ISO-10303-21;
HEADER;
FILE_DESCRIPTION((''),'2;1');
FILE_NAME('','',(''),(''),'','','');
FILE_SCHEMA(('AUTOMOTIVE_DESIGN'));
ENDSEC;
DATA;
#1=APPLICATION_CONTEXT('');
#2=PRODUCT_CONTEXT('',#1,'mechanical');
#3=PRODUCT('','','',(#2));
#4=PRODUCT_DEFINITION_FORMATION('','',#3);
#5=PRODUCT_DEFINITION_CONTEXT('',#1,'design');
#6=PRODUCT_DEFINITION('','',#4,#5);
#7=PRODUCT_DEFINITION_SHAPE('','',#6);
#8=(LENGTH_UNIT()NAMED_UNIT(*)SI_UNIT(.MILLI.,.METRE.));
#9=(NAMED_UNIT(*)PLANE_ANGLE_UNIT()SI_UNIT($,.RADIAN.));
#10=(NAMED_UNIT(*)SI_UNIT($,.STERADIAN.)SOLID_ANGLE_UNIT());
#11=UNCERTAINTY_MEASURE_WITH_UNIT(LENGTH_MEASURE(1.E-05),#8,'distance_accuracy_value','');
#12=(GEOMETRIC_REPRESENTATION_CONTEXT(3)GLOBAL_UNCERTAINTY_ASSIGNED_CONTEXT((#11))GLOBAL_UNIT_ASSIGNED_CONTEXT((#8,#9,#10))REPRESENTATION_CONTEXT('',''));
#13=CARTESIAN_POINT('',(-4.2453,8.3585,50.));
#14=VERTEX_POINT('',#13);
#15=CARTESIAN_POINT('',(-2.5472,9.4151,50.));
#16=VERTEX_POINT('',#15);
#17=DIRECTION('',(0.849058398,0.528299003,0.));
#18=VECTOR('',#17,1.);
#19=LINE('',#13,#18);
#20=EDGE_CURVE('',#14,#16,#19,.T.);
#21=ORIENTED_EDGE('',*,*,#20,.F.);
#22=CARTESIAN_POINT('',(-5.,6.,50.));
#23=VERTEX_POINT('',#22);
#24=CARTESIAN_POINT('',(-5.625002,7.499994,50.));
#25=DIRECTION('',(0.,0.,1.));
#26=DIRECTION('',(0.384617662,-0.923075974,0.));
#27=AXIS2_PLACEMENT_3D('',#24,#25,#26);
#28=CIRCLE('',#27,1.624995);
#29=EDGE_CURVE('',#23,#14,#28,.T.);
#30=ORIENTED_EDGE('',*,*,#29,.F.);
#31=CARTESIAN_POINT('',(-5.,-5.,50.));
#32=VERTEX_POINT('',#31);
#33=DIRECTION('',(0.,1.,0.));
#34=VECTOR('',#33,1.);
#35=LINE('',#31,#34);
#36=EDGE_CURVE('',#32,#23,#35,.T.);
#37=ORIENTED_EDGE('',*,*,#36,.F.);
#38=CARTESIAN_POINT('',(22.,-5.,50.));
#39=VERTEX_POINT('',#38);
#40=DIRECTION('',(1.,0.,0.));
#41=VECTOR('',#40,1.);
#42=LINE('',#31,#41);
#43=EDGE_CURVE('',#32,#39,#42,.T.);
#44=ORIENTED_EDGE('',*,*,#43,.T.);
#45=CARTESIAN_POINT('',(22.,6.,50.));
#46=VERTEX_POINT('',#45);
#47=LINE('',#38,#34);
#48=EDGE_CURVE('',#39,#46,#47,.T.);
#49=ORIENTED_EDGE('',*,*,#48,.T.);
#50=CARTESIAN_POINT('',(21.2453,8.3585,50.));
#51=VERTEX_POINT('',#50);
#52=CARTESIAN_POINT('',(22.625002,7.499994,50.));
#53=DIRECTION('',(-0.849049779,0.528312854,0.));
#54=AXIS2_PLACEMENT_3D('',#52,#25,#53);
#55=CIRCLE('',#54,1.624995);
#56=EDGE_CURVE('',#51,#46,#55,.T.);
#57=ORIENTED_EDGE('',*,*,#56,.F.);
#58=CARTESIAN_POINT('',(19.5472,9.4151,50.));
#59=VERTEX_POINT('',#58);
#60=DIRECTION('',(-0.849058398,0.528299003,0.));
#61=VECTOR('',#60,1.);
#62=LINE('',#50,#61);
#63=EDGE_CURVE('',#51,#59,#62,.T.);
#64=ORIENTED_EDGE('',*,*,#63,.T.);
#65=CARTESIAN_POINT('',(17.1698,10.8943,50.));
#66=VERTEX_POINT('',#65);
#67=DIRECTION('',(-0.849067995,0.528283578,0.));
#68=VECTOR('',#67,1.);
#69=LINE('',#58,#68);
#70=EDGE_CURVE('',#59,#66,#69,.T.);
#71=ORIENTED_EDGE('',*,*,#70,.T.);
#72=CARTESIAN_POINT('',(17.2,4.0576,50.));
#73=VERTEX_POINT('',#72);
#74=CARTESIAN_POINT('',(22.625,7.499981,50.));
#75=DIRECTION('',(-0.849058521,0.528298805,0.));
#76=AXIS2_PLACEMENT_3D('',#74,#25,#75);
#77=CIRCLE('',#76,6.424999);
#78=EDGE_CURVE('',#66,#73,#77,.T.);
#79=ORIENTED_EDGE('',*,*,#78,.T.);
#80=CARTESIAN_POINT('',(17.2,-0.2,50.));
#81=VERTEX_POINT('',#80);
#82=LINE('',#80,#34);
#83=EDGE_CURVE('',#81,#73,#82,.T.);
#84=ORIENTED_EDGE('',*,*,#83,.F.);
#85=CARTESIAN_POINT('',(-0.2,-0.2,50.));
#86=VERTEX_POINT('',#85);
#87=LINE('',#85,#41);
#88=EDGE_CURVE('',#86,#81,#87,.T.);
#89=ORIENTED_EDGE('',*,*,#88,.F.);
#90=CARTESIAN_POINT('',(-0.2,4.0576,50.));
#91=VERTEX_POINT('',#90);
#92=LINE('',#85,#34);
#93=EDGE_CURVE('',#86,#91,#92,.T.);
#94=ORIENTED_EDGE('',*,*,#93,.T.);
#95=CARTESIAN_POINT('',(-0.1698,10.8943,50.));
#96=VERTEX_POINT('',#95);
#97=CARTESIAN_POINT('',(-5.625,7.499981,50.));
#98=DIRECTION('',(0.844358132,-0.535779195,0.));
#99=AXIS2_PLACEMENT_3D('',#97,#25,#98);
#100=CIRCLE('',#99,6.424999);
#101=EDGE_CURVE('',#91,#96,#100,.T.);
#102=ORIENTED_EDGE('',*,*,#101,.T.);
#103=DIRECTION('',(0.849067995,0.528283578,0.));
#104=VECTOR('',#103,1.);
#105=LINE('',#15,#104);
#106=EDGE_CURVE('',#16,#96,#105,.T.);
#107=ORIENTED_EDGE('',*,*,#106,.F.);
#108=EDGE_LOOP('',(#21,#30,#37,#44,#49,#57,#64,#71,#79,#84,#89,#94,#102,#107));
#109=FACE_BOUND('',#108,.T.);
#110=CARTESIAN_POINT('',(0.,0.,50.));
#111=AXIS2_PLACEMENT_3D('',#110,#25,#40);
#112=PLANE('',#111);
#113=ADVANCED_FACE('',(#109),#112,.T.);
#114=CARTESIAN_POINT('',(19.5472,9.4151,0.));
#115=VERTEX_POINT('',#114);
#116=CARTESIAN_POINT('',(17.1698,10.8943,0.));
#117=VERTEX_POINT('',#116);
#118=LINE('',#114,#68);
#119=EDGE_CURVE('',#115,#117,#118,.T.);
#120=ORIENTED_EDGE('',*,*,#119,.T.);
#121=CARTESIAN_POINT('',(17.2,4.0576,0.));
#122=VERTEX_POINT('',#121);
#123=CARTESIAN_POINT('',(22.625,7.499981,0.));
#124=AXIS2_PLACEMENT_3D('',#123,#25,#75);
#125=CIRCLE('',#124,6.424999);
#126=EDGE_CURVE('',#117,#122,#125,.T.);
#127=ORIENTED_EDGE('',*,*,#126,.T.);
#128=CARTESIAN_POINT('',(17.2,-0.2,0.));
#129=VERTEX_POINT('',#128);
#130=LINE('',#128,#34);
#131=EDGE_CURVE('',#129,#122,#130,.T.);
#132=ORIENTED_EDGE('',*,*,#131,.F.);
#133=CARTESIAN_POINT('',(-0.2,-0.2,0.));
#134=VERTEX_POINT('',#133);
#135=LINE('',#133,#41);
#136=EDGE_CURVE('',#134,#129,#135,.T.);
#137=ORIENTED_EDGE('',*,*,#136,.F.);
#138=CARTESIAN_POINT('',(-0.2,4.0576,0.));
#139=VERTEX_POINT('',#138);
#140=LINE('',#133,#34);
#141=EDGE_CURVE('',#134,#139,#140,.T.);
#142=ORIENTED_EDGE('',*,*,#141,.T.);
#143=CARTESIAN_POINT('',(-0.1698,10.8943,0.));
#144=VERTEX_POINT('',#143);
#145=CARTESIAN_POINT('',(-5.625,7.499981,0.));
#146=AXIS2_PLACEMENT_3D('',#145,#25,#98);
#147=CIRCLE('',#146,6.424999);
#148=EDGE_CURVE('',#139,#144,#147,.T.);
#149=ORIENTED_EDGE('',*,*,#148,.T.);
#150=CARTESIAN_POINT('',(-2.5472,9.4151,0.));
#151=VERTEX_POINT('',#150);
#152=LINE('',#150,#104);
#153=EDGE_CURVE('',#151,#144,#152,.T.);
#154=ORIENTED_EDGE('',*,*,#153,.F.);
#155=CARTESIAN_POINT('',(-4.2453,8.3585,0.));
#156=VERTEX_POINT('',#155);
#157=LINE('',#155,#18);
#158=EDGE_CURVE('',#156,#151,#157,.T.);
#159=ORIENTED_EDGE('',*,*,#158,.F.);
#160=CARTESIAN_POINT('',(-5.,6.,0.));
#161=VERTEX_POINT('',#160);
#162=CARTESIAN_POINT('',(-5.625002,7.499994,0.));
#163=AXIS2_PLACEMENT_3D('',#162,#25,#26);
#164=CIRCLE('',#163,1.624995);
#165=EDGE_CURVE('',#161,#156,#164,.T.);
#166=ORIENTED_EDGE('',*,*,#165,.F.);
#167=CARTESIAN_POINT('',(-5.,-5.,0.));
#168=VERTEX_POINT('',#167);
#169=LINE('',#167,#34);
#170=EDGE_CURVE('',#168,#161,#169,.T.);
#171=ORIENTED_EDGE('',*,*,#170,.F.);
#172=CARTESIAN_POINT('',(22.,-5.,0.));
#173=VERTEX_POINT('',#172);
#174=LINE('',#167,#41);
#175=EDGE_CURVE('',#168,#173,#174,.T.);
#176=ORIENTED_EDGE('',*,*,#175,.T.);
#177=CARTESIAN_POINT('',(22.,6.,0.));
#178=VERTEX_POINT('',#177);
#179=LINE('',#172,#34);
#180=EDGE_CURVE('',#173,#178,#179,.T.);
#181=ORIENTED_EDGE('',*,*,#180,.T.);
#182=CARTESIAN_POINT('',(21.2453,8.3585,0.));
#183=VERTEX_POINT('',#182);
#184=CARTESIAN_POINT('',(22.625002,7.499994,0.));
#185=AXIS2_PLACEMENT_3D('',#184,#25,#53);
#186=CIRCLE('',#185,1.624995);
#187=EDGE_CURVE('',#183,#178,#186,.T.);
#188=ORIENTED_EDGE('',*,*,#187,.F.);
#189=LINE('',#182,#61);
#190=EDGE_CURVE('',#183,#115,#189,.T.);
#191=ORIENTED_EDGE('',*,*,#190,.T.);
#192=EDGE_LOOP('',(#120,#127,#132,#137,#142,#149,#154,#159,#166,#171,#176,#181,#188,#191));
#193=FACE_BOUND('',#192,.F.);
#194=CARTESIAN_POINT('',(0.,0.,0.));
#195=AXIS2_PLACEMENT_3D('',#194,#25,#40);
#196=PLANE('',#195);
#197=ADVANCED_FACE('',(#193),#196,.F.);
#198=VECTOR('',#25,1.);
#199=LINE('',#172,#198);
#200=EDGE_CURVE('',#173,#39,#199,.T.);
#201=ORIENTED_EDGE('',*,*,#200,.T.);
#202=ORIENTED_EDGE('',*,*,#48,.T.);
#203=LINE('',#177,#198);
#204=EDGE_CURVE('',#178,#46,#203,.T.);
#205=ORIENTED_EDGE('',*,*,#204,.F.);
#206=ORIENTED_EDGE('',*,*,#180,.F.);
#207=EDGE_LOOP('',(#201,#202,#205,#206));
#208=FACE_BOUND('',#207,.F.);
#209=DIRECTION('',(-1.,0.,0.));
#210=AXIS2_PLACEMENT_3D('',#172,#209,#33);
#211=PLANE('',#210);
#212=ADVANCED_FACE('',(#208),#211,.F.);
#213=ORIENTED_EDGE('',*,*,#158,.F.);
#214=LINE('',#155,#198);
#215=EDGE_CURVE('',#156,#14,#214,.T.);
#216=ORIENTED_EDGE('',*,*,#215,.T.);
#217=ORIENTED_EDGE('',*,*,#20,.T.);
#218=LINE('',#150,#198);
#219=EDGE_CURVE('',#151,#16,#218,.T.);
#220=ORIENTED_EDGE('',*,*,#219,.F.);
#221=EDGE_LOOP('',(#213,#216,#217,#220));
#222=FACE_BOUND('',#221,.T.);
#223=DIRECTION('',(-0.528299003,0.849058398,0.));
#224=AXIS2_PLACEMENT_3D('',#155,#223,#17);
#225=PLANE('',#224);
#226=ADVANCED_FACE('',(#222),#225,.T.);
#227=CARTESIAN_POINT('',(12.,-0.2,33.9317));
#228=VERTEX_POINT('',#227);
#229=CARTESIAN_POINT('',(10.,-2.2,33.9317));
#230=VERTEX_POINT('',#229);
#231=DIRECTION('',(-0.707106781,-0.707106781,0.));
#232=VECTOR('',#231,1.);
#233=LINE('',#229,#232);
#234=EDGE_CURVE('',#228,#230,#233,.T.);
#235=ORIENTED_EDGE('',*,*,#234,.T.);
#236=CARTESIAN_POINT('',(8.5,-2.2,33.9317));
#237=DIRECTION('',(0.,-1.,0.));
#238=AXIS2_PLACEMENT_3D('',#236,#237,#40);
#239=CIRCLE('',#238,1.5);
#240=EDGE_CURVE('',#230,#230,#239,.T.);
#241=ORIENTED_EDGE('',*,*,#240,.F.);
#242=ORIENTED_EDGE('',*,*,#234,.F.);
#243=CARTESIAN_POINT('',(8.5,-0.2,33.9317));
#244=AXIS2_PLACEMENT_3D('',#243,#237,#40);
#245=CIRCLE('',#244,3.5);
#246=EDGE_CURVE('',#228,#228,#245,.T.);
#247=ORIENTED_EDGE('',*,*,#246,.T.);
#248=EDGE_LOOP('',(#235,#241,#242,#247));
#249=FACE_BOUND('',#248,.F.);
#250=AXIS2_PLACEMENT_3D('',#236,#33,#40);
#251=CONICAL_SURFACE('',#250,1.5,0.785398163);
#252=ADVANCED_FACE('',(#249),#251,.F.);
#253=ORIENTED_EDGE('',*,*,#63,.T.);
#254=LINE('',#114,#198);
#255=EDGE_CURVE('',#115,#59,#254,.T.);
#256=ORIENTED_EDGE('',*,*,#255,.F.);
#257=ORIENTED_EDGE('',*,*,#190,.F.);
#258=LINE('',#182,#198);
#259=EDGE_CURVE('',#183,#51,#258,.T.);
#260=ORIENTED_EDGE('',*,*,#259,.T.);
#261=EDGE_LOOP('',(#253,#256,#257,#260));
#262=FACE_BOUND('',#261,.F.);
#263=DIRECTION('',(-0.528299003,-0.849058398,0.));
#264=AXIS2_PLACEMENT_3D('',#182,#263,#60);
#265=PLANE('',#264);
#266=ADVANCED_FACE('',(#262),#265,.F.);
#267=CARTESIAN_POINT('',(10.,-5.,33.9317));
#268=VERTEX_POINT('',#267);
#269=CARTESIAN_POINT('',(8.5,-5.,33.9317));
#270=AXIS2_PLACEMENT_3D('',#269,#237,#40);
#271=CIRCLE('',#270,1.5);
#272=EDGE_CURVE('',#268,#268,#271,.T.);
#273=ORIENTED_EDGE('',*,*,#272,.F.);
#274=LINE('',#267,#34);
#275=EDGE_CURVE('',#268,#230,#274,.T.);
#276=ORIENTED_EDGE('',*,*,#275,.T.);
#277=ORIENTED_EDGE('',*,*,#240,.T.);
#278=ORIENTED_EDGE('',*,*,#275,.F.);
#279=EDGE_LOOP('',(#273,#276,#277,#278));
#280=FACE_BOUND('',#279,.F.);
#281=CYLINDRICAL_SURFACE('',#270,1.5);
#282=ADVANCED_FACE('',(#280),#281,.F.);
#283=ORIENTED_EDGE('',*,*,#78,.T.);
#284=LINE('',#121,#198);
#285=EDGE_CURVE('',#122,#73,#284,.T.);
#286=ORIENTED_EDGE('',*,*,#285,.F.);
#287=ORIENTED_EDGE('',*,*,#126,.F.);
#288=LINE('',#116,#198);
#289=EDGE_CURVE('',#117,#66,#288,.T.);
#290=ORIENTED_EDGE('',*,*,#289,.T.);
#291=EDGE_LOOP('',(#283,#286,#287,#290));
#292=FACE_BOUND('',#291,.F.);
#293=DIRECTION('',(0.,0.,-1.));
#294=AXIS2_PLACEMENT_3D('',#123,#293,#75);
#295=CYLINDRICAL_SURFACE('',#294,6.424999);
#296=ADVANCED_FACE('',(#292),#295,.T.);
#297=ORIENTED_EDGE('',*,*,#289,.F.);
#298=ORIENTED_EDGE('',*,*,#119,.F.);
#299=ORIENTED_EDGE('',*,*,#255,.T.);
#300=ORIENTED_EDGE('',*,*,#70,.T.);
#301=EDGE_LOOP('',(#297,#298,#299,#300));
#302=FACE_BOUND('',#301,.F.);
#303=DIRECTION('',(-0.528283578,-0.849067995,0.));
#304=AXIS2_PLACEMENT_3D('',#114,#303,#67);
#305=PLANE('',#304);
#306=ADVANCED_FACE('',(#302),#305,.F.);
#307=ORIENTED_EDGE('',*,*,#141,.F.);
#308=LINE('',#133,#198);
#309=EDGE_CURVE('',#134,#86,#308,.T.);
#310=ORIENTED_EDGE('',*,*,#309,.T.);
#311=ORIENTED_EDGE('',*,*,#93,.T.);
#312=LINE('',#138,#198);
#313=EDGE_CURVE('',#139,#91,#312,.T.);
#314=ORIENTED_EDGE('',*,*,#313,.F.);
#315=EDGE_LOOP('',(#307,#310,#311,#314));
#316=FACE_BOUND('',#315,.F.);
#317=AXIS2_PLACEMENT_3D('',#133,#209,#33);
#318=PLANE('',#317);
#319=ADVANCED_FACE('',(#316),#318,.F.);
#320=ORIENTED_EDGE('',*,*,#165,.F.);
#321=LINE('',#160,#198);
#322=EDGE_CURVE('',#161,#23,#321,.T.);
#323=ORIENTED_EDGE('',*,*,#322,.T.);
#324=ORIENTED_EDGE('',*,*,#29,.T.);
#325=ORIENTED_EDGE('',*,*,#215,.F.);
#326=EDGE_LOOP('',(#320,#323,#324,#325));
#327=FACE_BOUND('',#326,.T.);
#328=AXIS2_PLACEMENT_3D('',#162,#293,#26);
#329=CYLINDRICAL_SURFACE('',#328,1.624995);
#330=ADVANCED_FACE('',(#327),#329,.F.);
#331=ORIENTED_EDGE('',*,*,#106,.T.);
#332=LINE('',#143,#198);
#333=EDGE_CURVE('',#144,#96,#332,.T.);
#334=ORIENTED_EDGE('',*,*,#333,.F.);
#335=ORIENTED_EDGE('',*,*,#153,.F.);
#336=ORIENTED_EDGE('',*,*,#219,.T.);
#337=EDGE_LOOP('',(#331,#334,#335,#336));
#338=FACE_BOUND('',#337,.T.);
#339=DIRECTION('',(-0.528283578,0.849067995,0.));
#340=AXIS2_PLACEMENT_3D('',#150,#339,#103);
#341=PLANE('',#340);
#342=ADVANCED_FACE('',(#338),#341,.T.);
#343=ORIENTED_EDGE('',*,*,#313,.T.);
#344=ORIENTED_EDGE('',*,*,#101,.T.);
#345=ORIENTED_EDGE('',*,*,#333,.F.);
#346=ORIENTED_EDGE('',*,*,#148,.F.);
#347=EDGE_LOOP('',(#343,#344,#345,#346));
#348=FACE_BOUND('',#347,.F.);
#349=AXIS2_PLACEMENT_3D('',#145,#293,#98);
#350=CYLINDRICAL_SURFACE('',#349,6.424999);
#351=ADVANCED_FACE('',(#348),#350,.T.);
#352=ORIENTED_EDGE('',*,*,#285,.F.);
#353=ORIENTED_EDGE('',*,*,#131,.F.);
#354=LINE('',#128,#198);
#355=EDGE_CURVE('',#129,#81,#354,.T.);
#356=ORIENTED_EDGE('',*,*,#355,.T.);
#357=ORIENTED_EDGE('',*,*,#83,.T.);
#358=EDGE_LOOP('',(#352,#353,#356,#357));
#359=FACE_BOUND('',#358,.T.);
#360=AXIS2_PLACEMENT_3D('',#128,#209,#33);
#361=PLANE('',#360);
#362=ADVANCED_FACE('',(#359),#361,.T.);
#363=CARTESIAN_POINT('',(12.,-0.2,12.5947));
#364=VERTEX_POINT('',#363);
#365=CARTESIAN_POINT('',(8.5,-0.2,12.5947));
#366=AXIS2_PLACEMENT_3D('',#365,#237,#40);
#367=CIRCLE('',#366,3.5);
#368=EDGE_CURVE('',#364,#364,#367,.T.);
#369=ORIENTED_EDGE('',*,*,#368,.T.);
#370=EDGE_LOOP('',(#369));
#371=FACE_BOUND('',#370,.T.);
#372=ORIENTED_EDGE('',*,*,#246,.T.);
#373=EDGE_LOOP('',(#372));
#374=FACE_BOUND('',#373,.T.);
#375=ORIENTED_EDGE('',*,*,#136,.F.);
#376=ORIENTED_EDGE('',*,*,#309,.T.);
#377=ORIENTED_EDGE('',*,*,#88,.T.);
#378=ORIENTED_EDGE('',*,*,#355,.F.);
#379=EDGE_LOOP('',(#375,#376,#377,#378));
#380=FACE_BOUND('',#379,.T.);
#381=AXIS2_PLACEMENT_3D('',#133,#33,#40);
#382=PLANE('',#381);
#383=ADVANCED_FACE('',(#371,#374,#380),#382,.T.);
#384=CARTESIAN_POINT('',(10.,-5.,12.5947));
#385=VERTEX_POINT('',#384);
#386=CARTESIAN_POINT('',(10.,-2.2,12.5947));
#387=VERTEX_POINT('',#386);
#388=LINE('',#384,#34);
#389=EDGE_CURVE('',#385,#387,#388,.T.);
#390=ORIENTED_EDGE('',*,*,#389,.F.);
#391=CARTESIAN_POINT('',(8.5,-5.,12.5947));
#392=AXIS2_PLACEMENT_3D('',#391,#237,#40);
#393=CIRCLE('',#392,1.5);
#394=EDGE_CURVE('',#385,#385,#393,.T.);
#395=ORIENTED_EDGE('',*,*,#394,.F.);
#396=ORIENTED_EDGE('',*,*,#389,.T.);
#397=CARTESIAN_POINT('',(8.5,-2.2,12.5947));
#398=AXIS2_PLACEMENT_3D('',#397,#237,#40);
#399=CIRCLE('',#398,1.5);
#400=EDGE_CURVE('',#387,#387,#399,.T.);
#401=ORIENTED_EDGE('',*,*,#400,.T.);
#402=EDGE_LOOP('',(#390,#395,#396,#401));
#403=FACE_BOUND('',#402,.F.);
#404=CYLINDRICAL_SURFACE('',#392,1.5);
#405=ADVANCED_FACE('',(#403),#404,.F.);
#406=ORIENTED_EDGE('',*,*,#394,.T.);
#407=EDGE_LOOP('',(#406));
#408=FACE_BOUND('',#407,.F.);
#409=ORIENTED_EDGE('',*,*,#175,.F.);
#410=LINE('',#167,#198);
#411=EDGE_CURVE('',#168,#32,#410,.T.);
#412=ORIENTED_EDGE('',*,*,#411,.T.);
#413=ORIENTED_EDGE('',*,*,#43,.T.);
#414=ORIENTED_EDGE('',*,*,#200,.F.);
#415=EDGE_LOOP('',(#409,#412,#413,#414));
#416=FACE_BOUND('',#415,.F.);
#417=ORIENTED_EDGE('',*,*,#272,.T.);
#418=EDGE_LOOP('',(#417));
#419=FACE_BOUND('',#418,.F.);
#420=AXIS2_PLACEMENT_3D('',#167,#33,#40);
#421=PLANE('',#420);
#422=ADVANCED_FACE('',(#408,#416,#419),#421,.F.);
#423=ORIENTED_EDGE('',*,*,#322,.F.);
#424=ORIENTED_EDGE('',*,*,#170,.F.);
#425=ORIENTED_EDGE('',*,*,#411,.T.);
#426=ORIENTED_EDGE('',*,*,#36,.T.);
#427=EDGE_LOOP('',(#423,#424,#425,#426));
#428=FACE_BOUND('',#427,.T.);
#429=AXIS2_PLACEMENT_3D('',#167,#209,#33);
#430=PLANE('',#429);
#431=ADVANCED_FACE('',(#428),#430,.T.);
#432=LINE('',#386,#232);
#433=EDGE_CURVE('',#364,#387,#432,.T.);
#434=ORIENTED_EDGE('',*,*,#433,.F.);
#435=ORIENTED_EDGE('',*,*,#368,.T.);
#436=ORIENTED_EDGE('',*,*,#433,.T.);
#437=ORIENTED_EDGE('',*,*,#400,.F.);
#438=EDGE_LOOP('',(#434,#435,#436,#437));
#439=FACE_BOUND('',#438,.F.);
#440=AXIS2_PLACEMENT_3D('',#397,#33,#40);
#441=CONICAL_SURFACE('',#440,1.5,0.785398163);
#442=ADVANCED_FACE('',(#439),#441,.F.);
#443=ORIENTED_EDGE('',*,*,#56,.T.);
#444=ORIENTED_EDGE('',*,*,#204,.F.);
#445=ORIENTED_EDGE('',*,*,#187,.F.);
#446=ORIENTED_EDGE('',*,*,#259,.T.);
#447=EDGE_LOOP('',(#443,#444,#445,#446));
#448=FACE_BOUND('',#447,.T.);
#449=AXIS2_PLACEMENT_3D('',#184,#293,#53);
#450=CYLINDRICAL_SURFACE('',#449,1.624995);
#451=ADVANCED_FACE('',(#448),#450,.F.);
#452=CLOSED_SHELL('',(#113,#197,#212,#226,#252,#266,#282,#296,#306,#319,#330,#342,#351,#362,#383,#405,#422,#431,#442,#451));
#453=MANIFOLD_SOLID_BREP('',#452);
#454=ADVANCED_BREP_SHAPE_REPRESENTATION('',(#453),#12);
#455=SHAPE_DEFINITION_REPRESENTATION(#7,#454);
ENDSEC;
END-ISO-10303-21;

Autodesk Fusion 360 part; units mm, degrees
sketch "Sketch1" plane through (0, 0, 0) normal (0, 0, 1) x (1, 0, 0)
  line L0 (0, 0) -> (17, 0)
  line L1 (0, 0) -> (0, 4)
  line L2 (17, 0) -> (17, 4)
  arc A0 (0, 4) -> (0, 11) centre (-5.625, 7.5) ccw
  arc A1 (17, 11) -> (17, 4) centre (22.625, 7.5) ccw
  line L3 (0, 11) -> (17, 11)
  arc A2 (17.1698, 10.8943) -> (17.2, 4.0576) centre (22.625, 7.5) ccw
  line L4 (17.2, -0.2) -> (17.2, 4.0576)
  line L5 (-0.2, -0.2) -> (17.2, -0.2)
  line L6 (-0.2, -0.2) -> (-0.2, 4.0576)
  arc A3 (-0.2, 4.0576) -> (-0.1698, 10.8943) centre (-5.625, 7.5) ccw
  arc A4 (19.5472, 9.4151) -> (20, 5) centre (22.625, 7.5) ccw
  line L7 (20, -3) -> (20, 5)
  line L8 (-3, -3) -> (20, -3)
  line L9 (-3, -3) -> (-3, 5)
  arc A5 (-3, 5) -> (-2.5472, 9.4151) centre (-5.625, 7.5) ccw
  line L10 (-2.5472, 9.4151) -> (-0.1698, 10.8943)
  line L11 (19.5472, 9.4151) -> (17.1698, 10.8943)
  arc A6 (21.2453, 8.3585) -> (22, 6) centre (22.625, 7.5) ccw
  line L12 (22, -5) -> (22, 6)
  line L13 (-5, -5) -> (22, -5)
  line L14 (-5, -5) -> (-5, 6)
  arc A7 (-5, 6) -> (-4.2453, 8.3585) centre (-5.625, 7.5) ccw
  line L15 (-4.2453, 8.3585) -> (0, 11)
  line L16 (21.2453, 8.3585) -> (17, 11)
  point P0 (0, 11)
  point P1 (17, 11)
  point P2 (1, 7.5)
  point P3 (16, 7.5)
  dimension "d1" = 17
  dimension "d2" = 4
  dimension "d3" = 4
  dimension "d4" = 11
  dimension "d5" = 11
  dimension "d6" = 15
  dimension "d7" = 1
  dimension "d8" = 3.5
  dimension "d9" = 3.5
  dimension "d10" = 0.2
  dimension "d11" = 3
  dimension "d21" = -5
extrude "Extrude1" add sketch "Sketch1" along normal blind 50 contours A2 L4 L5 L6 A3 A4 L7 L8 L9 A5 L10 L11 L15 L16 | A4 L7 L8 L9 A5 A6 L12 L13 L14 A7 L15 L16
sketch "Sketch4" plane through (0, -5, 0) normal (0, -1, 0) x (1, 0, 0)
  line L0 (-5, 0) -> (22, 0)
  line L1 (22, 0) -> (22, 50)
  line L2 (22, 50) -> (-5, 50)
  line L3 (-5, 50) -> (-5, 0)
  circle A0 centre (8.5, 33.9317) radius 1.5
  circle A1 centre (8.5, 12.5947) radius 1.5
  dimension "d25" = 3
  dimension "d26" = 3
  dimension "d27" = 21.337
  dimension "d28" = 13.5
  dimension "d29" = 13.5
extrude "Extrude3" cut sketch "Sketch4" against normal blind 4.8 contours A0 | A1
chamfer "Chamfer4" distance 2 angle 45 2 edges at (7.1015, -0.2, 33.3893) (7.1015, -0.2, 12.0523)
equation "d28 = ( 27 / 2 ) * 1 mm"
equation "d29 = ( 27 / 2 ) * 1 mm"
